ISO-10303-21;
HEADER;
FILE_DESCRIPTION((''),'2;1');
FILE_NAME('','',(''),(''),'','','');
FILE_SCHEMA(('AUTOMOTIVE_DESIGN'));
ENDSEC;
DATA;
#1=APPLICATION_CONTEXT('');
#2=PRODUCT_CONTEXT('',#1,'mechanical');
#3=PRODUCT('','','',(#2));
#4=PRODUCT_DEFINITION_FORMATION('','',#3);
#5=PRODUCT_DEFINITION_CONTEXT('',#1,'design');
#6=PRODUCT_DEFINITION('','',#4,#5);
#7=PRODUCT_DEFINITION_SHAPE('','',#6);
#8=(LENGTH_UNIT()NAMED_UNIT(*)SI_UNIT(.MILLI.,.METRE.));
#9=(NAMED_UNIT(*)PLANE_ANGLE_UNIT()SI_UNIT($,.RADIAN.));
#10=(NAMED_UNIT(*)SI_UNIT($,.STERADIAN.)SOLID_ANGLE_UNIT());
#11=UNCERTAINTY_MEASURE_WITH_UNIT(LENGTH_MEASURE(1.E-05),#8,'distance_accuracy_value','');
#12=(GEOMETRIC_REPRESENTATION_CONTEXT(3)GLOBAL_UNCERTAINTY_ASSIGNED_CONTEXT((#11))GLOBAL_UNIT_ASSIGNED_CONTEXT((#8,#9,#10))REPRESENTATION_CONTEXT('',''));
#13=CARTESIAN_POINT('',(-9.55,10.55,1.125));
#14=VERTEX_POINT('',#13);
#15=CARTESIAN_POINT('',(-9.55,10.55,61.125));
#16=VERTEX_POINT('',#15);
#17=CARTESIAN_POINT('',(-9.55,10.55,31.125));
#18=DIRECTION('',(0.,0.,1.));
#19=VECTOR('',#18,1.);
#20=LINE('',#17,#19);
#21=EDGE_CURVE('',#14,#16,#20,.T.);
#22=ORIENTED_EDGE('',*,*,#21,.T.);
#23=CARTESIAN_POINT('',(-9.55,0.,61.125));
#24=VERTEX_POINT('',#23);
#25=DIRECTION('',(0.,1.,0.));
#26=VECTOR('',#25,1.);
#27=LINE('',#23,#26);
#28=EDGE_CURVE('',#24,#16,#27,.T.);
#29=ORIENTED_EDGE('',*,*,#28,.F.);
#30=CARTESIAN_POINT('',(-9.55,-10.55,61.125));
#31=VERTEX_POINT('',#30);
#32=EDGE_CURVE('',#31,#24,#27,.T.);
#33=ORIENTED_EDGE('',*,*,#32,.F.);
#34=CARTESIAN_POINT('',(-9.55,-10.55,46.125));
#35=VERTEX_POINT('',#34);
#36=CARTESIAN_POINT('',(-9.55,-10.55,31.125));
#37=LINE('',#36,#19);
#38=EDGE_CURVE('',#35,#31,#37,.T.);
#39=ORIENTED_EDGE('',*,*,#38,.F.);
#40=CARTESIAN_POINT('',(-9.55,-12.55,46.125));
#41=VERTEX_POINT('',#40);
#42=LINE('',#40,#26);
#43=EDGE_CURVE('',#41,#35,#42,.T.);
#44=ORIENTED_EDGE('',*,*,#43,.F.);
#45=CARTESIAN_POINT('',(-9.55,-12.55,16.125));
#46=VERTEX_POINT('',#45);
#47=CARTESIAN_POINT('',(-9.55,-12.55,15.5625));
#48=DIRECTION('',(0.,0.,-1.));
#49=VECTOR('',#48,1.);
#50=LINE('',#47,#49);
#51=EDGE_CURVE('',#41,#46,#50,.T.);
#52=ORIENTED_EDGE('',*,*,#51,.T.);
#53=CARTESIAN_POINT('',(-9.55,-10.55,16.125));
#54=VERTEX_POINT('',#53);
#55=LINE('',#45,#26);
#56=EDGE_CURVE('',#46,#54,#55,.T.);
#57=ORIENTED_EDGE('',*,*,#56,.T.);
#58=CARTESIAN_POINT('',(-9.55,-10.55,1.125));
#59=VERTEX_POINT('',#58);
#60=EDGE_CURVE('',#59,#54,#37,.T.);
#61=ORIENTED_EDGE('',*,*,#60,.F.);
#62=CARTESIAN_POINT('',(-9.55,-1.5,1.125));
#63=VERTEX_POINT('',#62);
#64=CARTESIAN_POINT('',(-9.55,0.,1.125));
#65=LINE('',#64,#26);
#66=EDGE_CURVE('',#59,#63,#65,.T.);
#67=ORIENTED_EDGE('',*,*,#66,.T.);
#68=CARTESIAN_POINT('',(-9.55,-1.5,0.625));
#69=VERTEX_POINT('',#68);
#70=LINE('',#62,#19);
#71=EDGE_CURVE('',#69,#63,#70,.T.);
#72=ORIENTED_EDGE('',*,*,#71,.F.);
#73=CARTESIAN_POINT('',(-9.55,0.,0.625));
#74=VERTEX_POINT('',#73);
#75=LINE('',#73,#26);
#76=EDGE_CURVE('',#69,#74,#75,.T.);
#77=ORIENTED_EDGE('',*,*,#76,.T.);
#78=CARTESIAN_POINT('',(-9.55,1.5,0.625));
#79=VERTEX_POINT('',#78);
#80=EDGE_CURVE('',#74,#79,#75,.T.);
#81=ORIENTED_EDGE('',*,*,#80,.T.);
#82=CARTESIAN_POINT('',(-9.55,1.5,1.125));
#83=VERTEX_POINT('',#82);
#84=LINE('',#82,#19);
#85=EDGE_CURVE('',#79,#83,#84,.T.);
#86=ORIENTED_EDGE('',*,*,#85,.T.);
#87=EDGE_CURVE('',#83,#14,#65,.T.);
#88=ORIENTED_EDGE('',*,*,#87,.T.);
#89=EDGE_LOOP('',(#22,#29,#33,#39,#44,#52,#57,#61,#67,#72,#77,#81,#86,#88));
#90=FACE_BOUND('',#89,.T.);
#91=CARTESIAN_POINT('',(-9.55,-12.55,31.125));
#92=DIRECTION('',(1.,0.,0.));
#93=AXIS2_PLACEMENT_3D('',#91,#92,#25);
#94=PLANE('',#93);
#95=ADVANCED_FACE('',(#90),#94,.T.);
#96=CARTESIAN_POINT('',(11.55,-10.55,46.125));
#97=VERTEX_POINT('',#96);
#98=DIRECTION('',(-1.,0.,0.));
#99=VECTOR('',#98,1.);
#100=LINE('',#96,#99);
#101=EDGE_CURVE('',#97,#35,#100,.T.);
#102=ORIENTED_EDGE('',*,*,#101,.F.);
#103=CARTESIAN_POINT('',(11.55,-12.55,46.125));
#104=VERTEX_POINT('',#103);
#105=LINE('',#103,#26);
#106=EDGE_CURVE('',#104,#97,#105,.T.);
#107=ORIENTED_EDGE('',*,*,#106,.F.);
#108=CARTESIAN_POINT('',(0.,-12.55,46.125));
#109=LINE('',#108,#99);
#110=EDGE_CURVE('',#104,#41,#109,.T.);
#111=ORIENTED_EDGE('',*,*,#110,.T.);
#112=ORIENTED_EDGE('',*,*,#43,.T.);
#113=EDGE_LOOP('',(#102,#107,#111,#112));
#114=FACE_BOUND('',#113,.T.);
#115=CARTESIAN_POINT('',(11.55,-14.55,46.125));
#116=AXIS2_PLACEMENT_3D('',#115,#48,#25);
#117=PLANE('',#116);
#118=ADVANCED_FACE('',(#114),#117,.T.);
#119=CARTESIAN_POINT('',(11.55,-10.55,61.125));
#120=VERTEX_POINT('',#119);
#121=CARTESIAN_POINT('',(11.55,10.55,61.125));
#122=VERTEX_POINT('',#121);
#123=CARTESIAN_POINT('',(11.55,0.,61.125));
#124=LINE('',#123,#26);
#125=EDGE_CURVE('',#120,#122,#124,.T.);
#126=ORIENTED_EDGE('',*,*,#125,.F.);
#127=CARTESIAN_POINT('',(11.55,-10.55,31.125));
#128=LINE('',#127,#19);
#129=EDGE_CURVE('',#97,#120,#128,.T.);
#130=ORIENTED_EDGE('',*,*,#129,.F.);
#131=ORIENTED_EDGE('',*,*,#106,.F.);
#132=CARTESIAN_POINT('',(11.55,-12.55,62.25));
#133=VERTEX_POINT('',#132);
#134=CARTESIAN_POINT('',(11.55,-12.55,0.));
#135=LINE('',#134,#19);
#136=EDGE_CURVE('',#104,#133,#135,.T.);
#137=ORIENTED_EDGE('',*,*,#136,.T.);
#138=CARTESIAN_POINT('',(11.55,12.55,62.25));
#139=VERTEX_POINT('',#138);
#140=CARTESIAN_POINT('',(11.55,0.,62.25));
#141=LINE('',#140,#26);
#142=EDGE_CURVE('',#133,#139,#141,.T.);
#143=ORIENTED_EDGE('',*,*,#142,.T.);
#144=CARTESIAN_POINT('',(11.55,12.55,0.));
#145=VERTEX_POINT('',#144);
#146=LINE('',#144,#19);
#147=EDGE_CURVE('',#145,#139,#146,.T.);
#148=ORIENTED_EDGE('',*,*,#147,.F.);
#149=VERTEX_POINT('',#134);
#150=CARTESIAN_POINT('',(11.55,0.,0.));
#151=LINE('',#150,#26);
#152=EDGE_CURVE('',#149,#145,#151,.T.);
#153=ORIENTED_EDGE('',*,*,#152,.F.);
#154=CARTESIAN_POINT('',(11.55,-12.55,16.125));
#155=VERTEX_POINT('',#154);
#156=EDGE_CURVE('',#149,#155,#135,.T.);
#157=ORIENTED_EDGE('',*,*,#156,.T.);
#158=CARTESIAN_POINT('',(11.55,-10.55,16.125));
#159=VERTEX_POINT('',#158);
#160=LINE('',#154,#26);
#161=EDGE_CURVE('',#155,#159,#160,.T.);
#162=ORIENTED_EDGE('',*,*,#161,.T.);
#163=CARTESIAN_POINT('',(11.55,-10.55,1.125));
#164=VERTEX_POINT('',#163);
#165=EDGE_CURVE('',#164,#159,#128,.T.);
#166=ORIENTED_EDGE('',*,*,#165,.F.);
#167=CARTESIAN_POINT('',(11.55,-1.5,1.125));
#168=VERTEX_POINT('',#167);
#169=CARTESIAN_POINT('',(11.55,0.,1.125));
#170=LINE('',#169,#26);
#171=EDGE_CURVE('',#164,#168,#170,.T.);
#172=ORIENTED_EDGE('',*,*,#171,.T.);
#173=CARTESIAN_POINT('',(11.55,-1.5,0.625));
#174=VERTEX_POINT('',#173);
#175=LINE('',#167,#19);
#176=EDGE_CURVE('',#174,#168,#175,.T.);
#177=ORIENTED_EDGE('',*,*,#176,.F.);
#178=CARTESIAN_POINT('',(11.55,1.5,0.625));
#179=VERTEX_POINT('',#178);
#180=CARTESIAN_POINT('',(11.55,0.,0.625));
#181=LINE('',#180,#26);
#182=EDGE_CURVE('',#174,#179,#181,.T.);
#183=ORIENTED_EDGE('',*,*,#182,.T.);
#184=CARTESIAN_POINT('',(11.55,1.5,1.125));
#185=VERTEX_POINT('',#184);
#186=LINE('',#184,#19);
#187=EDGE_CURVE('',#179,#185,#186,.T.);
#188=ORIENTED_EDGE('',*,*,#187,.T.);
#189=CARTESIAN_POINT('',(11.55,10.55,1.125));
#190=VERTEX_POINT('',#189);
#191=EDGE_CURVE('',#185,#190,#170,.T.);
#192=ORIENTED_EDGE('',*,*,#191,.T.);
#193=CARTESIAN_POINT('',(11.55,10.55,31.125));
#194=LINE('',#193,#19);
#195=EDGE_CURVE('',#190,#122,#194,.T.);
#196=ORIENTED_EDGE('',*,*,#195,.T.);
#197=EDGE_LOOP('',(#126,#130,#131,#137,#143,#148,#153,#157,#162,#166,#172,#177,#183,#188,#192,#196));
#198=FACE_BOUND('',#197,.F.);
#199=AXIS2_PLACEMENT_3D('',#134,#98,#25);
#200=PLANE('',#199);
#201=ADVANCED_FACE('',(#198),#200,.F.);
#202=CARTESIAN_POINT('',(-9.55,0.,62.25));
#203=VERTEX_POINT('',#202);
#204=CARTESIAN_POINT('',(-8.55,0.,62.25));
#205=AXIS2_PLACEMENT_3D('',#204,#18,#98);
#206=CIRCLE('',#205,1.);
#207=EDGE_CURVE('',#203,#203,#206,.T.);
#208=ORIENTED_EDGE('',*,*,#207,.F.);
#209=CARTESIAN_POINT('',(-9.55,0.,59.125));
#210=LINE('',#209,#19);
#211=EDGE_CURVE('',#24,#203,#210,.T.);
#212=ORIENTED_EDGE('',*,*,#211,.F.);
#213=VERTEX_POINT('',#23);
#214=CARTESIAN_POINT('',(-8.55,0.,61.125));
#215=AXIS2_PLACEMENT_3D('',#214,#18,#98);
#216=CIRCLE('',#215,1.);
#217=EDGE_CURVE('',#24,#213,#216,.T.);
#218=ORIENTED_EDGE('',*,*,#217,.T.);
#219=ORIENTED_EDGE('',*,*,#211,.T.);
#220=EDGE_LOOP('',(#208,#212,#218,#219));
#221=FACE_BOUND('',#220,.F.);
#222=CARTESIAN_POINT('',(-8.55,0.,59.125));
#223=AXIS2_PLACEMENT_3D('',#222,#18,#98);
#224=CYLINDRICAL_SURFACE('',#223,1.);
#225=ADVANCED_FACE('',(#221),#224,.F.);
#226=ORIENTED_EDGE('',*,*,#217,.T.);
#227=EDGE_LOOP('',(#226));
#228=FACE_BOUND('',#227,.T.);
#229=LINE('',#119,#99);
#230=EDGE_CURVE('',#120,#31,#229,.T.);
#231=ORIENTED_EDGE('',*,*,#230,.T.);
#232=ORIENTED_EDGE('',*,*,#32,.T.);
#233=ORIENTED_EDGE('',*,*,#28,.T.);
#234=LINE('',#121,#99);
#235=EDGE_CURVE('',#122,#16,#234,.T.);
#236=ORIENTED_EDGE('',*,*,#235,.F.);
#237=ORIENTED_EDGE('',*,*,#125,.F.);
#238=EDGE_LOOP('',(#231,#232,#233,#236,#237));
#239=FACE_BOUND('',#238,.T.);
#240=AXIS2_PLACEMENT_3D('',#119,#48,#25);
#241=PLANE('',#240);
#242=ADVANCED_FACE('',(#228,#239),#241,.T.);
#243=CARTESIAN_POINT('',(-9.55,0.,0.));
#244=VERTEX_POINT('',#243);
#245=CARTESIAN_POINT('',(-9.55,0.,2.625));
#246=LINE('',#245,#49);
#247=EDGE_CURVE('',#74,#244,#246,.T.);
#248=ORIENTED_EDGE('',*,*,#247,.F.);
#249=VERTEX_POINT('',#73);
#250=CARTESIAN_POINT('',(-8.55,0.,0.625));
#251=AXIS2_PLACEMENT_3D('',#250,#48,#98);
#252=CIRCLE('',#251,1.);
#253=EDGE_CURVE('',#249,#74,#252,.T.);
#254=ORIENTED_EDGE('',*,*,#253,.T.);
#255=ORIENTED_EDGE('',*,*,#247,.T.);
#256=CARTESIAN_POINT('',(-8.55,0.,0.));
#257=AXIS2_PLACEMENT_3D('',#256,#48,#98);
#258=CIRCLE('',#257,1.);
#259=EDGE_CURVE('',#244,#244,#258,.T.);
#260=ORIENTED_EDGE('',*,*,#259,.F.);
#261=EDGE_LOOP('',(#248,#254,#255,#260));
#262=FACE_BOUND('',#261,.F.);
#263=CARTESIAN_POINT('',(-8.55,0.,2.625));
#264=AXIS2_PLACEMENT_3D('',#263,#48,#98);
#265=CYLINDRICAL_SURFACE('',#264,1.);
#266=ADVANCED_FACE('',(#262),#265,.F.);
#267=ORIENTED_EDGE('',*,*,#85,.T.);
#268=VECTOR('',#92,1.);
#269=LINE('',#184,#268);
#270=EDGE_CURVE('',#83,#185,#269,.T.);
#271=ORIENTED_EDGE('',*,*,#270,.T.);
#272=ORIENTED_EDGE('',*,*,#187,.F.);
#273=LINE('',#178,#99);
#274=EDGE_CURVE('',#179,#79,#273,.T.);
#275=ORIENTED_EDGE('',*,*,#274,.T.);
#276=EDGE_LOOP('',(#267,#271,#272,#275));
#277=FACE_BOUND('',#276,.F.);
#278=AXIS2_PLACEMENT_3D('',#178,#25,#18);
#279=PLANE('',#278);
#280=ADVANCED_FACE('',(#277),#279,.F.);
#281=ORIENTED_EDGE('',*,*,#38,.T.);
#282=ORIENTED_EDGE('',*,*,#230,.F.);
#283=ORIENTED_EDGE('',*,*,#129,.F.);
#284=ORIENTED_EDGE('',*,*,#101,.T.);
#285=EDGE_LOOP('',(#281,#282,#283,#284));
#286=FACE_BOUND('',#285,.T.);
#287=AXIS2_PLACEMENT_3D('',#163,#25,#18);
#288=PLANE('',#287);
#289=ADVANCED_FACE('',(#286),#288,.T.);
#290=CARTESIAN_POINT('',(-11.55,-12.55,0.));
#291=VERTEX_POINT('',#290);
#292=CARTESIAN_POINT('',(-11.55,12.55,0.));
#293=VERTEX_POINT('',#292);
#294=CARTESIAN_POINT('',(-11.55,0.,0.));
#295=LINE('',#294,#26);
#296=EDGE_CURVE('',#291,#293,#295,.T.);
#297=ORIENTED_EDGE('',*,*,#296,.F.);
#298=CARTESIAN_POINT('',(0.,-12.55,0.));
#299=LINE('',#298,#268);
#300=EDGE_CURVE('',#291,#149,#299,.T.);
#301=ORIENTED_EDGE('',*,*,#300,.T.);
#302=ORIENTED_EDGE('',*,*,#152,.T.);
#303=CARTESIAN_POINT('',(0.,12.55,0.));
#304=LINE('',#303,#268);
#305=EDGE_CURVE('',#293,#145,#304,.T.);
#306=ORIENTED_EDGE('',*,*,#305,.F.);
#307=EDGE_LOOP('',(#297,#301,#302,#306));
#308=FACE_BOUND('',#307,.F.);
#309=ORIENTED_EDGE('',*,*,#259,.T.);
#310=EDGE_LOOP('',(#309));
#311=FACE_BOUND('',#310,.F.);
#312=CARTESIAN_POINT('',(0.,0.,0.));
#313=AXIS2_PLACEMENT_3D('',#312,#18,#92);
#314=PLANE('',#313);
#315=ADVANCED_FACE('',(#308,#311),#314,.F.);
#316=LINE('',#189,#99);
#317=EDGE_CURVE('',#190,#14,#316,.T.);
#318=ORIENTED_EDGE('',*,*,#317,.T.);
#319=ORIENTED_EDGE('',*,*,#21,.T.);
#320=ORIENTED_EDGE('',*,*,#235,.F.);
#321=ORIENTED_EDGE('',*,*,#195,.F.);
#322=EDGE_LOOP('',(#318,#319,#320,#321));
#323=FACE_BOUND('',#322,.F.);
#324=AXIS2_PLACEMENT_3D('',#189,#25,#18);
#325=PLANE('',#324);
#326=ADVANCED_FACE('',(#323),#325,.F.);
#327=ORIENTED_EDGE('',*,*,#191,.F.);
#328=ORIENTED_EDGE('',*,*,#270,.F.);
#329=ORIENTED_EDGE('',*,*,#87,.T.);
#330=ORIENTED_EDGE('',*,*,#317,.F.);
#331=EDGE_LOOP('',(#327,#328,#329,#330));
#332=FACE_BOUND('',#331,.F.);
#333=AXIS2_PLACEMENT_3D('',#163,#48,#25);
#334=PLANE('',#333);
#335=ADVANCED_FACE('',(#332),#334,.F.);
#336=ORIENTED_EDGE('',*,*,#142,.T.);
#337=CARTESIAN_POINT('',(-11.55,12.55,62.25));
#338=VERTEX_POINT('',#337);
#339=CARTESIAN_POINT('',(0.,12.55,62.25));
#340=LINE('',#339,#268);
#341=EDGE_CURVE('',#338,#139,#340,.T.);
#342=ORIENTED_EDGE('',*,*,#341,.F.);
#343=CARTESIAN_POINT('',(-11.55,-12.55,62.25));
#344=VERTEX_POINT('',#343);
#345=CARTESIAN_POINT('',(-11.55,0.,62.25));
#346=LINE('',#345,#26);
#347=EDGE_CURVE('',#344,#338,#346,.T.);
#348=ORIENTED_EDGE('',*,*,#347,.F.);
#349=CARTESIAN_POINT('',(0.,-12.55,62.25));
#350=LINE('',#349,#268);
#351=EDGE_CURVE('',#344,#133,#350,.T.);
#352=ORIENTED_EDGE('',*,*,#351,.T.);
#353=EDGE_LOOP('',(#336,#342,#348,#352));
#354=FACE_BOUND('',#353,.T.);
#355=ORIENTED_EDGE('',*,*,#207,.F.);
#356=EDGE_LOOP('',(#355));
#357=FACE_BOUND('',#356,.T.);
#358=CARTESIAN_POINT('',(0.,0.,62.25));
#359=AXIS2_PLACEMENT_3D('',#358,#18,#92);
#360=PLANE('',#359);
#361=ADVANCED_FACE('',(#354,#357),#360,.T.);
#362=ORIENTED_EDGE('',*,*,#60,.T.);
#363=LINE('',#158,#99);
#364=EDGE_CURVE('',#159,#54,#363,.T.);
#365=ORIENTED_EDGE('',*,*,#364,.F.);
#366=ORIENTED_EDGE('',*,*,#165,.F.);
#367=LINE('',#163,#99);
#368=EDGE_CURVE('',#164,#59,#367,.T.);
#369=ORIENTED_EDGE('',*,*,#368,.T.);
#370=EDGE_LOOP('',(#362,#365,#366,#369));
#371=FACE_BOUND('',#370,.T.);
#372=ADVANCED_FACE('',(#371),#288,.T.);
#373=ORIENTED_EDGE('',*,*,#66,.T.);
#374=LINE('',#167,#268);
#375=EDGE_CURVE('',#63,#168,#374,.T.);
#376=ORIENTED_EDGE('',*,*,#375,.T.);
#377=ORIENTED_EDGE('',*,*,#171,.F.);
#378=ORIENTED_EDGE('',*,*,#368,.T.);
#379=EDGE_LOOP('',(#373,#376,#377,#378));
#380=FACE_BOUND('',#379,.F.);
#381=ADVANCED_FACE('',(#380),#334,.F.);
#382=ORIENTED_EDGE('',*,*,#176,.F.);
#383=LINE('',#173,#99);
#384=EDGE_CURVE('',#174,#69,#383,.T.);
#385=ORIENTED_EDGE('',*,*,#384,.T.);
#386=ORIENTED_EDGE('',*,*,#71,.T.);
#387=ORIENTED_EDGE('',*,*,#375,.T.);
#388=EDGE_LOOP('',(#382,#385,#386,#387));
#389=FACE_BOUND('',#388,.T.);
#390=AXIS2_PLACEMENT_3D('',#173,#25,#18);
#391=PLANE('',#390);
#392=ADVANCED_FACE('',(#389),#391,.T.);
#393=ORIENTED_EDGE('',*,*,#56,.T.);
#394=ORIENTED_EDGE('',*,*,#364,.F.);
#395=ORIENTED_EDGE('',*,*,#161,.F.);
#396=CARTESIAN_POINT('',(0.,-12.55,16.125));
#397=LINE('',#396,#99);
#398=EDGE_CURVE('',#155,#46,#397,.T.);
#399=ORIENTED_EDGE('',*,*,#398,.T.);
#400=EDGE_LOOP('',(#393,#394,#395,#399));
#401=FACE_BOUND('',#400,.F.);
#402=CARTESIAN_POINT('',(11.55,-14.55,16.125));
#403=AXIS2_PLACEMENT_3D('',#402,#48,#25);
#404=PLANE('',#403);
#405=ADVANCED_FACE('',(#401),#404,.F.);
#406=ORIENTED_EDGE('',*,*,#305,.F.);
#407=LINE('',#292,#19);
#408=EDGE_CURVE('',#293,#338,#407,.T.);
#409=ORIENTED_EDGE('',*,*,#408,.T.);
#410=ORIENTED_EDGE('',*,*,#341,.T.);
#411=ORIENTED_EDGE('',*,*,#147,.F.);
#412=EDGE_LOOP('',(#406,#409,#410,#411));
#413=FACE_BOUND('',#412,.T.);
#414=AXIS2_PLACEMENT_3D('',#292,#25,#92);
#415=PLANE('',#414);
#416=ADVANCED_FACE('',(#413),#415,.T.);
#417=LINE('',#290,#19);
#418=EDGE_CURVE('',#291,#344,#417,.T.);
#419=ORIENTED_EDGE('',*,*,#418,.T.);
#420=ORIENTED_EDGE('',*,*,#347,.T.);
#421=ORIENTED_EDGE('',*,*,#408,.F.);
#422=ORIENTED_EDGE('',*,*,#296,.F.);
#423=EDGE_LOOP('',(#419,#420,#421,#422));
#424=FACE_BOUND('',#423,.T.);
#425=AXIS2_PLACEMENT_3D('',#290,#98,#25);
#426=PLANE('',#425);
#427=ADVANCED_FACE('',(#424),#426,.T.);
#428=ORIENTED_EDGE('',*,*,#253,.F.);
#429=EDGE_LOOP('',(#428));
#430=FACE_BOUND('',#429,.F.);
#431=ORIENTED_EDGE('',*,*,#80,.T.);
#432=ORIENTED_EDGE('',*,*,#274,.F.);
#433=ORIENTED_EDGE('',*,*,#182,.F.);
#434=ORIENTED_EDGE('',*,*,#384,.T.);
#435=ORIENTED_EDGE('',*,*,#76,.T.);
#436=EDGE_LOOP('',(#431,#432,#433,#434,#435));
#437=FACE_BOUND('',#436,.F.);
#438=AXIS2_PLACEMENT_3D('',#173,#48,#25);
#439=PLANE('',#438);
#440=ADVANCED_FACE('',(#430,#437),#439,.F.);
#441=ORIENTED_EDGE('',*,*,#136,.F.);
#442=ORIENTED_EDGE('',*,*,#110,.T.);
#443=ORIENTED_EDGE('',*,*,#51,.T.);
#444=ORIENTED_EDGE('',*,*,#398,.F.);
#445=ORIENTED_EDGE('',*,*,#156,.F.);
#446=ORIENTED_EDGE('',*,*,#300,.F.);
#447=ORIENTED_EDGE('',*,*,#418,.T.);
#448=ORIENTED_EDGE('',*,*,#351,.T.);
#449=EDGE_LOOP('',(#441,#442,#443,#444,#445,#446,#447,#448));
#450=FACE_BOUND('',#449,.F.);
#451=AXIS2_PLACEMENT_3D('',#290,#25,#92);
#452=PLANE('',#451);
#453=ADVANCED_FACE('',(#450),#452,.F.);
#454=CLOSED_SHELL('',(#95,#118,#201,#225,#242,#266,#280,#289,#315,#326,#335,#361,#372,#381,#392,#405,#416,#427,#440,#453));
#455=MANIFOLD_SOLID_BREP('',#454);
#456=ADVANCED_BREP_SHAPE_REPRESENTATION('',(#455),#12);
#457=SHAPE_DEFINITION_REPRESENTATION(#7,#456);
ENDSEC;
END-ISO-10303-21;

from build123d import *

# Parameters (mm, degrees)
F0_W      = 23.1
F0_H      = 25.1
F1_DEPTH  = 62.25
F2_W      = 21.1
F2_H      = 60
F3_DEPTH  = 21.1
F4_W      = 3
F4_H      = 1
F5_DEPTH  = 21.1
F6_W      = 4
F6_H      = 30
F7_DEPTH  = 21.1
F9_D      = 2
F9_DEPTH  = 2
F11_D     = 2
F11_DEPTH = 2


with BuildPart() as f1:
    # F0 (on Top) → F1 (new body)
    with BuildSketch(Plane.XY):
        Rectangle(F0_W, F0_H)
    extrude(amount=F1_DEPTH)

    # F2 (on face) → F3 (cut)
    with BuildSketch(Plane.YZ.offset(11.55)):
        with Locations((0, 31.125)):
            Rectangle(F2_W, F2_H)
    extrude(amount=-F3_DEPTH, mode=Mode.SUBTRACT)

    # F4 (on face) → F5 (cut)
    with BuildSketch(Plane.YZ.offset(11.55)):
        with Locations((0, 1.125)):
            Rectangle(F4_W, F4_H)
    extrude(amount=-F5_DEPTH, mode=Mode.SUBTRACT)

    # F6 (on face) → F7 (cut)
    with BuildSketch(Plane.YZ.offset(11.55)):
        with Locations((-12.55, 31.125)):
            Rectangle(F6_W, F6_H)
    extrude(amount=-F7_DEPTH, mode=Mode.SUBTRACT)

    # F9
    with Locations(Plane(origin=(0, 0, 61.125), x_dir=(1, 0, 0), z_dir=(0, 0, -1))):
        with Locations((-8.55, 0)):
            Hole(F9_D / 2, depth=F9_DEPTH)

    # F11
    with Locations(Plane.XY.offset(0.625)):
        with Locations((-8.55, 0)):
            Hole(F11_D / 2, depth=F11_DEPTH)


solid = f1.part
